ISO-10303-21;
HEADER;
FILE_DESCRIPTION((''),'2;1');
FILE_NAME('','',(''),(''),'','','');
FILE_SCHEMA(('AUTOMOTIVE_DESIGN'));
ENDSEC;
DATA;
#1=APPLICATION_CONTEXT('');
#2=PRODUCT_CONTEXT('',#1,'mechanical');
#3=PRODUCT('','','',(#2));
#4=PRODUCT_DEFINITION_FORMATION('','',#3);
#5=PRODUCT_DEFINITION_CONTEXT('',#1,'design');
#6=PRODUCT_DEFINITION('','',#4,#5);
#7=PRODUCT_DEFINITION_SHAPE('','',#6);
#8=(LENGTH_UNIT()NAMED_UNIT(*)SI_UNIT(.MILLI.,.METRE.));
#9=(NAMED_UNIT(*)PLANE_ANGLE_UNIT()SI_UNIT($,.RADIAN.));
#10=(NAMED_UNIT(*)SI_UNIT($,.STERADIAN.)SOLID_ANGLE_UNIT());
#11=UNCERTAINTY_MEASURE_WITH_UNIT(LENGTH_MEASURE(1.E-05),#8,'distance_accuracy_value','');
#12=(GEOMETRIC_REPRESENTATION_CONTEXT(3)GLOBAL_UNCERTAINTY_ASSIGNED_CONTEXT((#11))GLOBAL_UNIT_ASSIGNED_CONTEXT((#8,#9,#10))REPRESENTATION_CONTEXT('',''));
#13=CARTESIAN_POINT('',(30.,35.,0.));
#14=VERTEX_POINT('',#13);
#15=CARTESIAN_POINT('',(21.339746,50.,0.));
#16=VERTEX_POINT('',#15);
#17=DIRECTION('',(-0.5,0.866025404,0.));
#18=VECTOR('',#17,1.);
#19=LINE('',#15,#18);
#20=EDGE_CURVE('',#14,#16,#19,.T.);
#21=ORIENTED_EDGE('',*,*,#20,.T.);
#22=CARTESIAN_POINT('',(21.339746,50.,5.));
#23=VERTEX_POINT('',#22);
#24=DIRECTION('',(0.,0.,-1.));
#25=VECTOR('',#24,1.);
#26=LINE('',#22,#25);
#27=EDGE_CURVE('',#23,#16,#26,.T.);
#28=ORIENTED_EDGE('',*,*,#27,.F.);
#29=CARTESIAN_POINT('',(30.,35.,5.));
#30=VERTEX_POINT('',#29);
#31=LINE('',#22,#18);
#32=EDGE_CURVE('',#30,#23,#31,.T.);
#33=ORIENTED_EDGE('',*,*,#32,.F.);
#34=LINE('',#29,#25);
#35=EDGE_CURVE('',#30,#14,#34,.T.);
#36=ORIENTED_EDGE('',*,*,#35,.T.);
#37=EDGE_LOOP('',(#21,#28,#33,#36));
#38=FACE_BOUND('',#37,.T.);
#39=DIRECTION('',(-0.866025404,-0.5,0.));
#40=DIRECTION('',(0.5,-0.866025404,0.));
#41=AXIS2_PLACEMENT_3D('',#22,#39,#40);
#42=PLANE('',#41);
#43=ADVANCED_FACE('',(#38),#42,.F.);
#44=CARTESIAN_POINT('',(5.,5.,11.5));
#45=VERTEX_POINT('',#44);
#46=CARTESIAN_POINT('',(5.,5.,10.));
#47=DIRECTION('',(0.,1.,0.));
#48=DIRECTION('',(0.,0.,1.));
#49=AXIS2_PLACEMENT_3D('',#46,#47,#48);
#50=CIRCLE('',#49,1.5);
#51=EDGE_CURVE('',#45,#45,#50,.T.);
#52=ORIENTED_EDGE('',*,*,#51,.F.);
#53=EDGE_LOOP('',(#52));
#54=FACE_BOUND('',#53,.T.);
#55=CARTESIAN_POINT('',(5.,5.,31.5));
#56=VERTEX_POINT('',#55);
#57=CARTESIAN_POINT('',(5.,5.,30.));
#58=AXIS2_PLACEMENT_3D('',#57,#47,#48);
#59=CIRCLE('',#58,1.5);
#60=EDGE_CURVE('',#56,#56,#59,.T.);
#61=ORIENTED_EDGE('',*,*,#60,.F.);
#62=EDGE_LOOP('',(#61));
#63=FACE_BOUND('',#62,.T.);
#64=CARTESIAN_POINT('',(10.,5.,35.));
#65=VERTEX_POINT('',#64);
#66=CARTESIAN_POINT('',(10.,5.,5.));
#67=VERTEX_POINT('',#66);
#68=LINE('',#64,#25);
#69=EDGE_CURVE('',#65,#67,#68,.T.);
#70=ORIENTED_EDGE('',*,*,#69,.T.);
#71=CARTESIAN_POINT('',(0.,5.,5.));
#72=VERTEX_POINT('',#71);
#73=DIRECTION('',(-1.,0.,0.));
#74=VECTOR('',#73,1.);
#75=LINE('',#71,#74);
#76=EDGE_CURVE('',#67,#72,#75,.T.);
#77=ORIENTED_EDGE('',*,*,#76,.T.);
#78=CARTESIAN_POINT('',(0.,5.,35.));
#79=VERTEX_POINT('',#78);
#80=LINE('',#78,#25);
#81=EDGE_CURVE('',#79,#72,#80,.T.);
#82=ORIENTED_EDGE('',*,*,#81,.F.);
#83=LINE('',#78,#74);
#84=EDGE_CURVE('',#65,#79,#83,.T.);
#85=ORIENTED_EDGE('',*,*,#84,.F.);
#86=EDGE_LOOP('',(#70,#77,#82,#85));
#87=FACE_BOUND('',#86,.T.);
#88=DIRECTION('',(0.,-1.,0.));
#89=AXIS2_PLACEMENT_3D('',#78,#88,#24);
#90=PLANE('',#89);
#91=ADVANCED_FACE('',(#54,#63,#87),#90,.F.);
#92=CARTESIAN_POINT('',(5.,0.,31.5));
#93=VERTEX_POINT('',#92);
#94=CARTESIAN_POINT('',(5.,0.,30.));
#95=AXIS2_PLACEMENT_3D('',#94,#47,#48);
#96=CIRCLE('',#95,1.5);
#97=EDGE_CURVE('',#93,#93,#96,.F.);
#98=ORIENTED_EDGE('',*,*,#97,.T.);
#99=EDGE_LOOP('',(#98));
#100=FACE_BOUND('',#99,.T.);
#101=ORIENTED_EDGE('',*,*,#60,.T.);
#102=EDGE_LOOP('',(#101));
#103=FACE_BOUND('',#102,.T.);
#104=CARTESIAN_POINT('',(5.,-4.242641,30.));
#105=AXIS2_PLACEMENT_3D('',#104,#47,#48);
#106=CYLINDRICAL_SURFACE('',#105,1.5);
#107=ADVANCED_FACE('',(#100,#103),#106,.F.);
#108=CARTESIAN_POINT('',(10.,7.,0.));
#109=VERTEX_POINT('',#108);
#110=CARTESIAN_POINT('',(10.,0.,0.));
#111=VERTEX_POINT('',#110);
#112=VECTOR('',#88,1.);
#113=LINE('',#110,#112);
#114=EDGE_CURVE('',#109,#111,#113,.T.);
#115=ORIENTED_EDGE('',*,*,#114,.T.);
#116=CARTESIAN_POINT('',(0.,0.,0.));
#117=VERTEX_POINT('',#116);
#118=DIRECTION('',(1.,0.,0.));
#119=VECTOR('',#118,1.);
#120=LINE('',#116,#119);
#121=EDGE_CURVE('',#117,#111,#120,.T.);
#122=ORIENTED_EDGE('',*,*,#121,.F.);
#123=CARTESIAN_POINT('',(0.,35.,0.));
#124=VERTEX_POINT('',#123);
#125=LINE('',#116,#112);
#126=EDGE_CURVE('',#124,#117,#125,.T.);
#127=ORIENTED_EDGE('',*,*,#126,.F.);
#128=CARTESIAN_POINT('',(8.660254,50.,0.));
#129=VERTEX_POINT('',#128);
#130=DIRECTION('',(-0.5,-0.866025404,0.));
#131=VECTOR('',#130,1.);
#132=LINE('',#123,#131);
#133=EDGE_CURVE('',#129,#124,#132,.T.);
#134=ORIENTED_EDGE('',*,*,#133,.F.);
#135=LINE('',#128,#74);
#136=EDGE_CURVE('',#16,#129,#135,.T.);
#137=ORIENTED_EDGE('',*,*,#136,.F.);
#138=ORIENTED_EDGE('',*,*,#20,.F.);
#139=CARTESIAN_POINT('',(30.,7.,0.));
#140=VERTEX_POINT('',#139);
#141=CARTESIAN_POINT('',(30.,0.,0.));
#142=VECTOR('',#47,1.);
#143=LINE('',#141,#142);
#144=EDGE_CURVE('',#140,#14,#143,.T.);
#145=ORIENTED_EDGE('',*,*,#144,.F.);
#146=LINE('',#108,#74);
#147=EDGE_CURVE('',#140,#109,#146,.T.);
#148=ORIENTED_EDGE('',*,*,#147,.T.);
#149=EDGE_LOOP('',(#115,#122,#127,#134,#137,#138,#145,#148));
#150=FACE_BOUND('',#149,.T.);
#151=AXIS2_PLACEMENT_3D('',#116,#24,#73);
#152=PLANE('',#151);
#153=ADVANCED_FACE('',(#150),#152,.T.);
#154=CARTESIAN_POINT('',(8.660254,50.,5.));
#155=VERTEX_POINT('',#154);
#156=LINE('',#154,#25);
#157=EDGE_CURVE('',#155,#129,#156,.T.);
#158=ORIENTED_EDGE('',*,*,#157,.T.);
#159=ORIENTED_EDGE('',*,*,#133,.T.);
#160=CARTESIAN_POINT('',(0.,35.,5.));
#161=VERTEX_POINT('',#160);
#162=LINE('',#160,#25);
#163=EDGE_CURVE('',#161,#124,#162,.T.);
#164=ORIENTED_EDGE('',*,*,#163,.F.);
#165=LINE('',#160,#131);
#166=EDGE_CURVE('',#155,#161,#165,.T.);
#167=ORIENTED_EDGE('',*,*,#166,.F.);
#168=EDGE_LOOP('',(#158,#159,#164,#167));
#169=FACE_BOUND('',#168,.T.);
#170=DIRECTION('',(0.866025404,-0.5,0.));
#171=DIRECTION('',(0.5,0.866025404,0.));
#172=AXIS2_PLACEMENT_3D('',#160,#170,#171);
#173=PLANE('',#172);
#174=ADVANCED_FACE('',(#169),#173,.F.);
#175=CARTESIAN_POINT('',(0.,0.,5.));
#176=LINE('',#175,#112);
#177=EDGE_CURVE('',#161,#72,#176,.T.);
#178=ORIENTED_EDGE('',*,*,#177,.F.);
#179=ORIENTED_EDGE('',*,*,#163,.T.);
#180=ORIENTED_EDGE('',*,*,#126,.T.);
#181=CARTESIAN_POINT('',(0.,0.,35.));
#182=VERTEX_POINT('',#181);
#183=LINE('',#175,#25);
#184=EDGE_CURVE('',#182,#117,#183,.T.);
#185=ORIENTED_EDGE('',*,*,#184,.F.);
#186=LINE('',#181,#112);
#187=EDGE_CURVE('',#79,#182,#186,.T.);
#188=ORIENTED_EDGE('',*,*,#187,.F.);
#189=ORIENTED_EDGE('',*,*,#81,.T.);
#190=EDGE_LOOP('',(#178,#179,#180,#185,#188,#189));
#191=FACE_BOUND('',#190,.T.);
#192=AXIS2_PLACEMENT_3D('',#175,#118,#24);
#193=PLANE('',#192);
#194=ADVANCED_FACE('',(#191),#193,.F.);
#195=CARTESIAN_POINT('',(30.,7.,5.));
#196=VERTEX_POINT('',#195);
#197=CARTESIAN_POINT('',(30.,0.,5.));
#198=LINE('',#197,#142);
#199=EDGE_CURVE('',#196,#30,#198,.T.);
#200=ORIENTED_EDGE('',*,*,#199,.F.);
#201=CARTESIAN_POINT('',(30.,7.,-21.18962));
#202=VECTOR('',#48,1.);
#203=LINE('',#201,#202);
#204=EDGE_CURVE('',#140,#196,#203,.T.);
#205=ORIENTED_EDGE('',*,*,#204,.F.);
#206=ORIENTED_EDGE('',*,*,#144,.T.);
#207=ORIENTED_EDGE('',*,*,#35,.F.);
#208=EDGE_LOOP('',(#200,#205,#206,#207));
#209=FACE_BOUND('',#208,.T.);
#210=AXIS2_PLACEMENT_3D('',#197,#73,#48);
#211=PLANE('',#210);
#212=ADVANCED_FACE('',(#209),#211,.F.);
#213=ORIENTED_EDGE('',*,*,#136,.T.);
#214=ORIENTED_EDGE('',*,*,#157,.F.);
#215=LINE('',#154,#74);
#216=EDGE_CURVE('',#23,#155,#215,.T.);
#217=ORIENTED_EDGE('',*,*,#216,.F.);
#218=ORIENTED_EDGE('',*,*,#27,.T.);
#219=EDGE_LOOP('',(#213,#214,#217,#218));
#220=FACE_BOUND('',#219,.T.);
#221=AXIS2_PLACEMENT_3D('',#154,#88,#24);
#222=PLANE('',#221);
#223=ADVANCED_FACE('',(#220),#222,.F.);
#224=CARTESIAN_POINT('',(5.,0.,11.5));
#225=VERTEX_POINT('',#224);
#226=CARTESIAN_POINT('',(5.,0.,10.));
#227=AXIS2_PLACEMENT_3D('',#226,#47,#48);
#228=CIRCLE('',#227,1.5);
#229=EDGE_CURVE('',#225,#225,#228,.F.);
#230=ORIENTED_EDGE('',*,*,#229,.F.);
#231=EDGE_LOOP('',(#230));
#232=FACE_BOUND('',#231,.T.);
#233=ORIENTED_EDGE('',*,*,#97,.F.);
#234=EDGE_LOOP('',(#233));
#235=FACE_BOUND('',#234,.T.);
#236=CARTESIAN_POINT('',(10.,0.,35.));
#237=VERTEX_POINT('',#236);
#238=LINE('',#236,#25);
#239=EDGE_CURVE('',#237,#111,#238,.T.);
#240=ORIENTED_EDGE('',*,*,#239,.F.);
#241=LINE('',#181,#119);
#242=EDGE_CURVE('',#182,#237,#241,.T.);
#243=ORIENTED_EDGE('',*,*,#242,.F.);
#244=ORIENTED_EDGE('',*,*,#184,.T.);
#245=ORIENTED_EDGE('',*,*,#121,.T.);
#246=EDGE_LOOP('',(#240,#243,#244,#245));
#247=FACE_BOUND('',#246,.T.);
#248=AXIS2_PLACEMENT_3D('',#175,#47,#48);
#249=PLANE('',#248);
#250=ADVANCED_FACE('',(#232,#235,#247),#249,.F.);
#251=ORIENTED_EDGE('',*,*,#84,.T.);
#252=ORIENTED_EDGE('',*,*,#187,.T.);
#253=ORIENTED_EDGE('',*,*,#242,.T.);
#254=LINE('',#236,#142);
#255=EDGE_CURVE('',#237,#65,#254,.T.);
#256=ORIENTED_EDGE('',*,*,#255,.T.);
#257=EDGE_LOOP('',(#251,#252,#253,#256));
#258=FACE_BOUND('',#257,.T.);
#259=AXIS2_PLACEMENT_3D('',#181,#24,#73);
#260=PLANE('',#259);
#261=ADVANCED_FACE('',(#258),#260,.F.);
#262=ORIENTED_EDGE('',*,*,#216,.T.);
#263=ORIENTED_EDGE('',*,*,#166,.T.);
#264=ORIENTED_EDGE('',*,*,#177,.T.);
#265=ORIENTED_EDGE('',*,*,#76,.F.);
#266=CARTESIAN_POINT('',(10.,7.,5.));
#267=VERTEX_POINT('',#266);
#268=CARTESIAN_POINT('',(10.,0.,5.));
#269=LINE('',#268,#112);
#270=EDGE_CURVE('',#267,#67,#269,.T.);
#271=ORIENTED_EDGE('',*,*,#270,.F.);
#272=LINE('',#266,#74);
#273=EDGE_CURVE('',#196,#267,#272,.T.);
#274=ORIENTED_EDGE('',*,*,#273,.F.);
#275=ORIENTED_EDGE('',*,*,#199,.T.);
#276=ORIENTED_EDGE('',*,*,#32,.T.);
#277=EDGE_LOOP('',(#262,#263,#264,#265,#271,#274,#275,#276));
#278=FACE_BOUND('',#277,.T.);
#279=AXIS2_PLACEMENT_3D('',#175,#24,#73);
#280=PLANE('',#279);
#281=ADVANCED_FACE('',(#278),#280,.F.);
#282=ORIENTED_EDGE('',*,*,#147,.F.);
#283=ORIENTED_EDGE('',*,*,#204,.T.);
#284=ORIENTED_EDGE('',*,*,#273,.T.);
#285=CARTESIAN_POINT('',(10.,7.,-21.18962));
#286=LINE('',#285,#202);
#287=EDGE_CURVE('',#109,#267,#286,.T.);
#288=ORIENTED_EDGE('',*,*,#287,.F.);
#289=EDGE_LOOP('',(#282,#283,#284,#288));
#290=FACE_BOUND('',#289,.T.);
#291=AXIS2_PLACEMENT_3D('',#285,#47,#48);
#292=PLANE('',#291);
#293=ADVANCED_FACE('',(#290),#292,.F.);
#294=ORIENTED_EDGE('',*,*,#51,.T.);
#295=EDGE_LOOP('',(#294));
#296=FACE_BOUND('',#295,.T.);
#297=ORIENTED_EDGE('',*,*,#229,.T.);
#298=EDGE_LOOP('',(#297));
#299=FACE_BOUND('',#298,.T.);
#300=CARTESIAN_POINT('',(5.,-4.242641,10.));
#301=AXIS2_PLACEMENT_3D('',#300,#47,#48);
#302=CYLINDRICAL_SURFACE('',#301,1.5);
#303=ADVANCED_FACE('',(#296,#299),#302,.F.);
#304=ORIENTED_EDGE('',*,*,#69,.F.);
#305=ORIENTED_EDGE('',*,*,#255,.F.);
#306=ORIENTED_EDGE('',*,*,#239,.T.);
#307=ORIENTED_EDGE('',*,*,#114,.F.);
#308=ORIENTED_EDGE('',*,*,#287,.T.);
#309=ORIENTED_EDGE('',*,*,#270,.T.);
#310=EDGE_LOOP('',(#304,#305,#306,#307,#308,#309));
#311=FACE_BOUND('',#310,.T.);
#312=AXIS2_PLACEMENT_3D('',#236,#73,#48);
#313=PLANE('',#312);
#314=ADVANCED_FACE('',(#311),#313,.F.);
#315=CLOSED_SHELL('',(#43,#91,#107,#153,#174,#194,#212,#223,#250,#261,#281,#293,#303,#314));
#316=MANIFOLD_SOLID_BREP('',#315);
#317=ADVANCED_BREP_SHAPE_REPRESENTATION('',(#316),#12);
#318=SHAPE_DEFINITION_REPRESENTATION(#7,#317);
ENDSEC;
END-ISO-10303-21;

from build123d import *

# Parameters (mm, degrees)
BOSS_EXTRUDE1_DEPTH = 5
SKETCH2_W           = 10
SKETCH2_H           = 5
BOSS_EXTRUDE2_DEPTH = 30
SKETCH3_R           = 1.5
CUT_EXTRUDE1_DEPTH  = 5
SKETCH4_W           = 20
SKETCH4_H           = 7
CUT_EXTRUDE2_DEPTH  = 5


with BuildPart() as part:
    # Sketch1 → Boss-Extrude1 (new body)
    with BuildSketch(Plane.XY):
        Polygon((0, 35), (8.660254038, 50), (21.339745962, 50), (30, 35), (30, 0), (0, 0), align=None)
    extrude(amount=BOSS_EXTRUDE1_DEPTH)

    # Sketch2 → Boss-Extrude2 (add)
    with BuildSketch(Plane.XY.offset(5)):
        with Locations((5, 2.5)):
            Rectangle(SKETCH2_W, SKETCH2_H)
    extrude(amount=BOSS_EXTRUDE2_DEPTH)

    # Sketch3 → Cut-Extrude1 (cut)
    with BuildSketch(Plane(origin=(0, 5, 0), x_dir=(1, 0, 0), z_dir=(0, 1, 0))):
        with Locations(Location((5, -10, 0), (0, 0, 270))):
            Circle(SKETCH3_R)
        with Locations(Location((5, -30, 0), (0, 0, 270))):
            Circle(SKETCH3_R)
    extrude(amount=-CUT_EXTRUDE1_DEPTH, mode=Mode.SUBTRACT)

    # Sketch4 → Cut-Extrude2 (cut)
    with BuildSketch(Plane.XY.offset(5)):
        with Locations((20, 3.5)):
            Rectangle(SKETCH4_W, SKETCH4_H)
    extrude(amount=-CUT_EXTRUDE2_DEPTH, mode=Mode.SUBTRACT)


solid = part.part
